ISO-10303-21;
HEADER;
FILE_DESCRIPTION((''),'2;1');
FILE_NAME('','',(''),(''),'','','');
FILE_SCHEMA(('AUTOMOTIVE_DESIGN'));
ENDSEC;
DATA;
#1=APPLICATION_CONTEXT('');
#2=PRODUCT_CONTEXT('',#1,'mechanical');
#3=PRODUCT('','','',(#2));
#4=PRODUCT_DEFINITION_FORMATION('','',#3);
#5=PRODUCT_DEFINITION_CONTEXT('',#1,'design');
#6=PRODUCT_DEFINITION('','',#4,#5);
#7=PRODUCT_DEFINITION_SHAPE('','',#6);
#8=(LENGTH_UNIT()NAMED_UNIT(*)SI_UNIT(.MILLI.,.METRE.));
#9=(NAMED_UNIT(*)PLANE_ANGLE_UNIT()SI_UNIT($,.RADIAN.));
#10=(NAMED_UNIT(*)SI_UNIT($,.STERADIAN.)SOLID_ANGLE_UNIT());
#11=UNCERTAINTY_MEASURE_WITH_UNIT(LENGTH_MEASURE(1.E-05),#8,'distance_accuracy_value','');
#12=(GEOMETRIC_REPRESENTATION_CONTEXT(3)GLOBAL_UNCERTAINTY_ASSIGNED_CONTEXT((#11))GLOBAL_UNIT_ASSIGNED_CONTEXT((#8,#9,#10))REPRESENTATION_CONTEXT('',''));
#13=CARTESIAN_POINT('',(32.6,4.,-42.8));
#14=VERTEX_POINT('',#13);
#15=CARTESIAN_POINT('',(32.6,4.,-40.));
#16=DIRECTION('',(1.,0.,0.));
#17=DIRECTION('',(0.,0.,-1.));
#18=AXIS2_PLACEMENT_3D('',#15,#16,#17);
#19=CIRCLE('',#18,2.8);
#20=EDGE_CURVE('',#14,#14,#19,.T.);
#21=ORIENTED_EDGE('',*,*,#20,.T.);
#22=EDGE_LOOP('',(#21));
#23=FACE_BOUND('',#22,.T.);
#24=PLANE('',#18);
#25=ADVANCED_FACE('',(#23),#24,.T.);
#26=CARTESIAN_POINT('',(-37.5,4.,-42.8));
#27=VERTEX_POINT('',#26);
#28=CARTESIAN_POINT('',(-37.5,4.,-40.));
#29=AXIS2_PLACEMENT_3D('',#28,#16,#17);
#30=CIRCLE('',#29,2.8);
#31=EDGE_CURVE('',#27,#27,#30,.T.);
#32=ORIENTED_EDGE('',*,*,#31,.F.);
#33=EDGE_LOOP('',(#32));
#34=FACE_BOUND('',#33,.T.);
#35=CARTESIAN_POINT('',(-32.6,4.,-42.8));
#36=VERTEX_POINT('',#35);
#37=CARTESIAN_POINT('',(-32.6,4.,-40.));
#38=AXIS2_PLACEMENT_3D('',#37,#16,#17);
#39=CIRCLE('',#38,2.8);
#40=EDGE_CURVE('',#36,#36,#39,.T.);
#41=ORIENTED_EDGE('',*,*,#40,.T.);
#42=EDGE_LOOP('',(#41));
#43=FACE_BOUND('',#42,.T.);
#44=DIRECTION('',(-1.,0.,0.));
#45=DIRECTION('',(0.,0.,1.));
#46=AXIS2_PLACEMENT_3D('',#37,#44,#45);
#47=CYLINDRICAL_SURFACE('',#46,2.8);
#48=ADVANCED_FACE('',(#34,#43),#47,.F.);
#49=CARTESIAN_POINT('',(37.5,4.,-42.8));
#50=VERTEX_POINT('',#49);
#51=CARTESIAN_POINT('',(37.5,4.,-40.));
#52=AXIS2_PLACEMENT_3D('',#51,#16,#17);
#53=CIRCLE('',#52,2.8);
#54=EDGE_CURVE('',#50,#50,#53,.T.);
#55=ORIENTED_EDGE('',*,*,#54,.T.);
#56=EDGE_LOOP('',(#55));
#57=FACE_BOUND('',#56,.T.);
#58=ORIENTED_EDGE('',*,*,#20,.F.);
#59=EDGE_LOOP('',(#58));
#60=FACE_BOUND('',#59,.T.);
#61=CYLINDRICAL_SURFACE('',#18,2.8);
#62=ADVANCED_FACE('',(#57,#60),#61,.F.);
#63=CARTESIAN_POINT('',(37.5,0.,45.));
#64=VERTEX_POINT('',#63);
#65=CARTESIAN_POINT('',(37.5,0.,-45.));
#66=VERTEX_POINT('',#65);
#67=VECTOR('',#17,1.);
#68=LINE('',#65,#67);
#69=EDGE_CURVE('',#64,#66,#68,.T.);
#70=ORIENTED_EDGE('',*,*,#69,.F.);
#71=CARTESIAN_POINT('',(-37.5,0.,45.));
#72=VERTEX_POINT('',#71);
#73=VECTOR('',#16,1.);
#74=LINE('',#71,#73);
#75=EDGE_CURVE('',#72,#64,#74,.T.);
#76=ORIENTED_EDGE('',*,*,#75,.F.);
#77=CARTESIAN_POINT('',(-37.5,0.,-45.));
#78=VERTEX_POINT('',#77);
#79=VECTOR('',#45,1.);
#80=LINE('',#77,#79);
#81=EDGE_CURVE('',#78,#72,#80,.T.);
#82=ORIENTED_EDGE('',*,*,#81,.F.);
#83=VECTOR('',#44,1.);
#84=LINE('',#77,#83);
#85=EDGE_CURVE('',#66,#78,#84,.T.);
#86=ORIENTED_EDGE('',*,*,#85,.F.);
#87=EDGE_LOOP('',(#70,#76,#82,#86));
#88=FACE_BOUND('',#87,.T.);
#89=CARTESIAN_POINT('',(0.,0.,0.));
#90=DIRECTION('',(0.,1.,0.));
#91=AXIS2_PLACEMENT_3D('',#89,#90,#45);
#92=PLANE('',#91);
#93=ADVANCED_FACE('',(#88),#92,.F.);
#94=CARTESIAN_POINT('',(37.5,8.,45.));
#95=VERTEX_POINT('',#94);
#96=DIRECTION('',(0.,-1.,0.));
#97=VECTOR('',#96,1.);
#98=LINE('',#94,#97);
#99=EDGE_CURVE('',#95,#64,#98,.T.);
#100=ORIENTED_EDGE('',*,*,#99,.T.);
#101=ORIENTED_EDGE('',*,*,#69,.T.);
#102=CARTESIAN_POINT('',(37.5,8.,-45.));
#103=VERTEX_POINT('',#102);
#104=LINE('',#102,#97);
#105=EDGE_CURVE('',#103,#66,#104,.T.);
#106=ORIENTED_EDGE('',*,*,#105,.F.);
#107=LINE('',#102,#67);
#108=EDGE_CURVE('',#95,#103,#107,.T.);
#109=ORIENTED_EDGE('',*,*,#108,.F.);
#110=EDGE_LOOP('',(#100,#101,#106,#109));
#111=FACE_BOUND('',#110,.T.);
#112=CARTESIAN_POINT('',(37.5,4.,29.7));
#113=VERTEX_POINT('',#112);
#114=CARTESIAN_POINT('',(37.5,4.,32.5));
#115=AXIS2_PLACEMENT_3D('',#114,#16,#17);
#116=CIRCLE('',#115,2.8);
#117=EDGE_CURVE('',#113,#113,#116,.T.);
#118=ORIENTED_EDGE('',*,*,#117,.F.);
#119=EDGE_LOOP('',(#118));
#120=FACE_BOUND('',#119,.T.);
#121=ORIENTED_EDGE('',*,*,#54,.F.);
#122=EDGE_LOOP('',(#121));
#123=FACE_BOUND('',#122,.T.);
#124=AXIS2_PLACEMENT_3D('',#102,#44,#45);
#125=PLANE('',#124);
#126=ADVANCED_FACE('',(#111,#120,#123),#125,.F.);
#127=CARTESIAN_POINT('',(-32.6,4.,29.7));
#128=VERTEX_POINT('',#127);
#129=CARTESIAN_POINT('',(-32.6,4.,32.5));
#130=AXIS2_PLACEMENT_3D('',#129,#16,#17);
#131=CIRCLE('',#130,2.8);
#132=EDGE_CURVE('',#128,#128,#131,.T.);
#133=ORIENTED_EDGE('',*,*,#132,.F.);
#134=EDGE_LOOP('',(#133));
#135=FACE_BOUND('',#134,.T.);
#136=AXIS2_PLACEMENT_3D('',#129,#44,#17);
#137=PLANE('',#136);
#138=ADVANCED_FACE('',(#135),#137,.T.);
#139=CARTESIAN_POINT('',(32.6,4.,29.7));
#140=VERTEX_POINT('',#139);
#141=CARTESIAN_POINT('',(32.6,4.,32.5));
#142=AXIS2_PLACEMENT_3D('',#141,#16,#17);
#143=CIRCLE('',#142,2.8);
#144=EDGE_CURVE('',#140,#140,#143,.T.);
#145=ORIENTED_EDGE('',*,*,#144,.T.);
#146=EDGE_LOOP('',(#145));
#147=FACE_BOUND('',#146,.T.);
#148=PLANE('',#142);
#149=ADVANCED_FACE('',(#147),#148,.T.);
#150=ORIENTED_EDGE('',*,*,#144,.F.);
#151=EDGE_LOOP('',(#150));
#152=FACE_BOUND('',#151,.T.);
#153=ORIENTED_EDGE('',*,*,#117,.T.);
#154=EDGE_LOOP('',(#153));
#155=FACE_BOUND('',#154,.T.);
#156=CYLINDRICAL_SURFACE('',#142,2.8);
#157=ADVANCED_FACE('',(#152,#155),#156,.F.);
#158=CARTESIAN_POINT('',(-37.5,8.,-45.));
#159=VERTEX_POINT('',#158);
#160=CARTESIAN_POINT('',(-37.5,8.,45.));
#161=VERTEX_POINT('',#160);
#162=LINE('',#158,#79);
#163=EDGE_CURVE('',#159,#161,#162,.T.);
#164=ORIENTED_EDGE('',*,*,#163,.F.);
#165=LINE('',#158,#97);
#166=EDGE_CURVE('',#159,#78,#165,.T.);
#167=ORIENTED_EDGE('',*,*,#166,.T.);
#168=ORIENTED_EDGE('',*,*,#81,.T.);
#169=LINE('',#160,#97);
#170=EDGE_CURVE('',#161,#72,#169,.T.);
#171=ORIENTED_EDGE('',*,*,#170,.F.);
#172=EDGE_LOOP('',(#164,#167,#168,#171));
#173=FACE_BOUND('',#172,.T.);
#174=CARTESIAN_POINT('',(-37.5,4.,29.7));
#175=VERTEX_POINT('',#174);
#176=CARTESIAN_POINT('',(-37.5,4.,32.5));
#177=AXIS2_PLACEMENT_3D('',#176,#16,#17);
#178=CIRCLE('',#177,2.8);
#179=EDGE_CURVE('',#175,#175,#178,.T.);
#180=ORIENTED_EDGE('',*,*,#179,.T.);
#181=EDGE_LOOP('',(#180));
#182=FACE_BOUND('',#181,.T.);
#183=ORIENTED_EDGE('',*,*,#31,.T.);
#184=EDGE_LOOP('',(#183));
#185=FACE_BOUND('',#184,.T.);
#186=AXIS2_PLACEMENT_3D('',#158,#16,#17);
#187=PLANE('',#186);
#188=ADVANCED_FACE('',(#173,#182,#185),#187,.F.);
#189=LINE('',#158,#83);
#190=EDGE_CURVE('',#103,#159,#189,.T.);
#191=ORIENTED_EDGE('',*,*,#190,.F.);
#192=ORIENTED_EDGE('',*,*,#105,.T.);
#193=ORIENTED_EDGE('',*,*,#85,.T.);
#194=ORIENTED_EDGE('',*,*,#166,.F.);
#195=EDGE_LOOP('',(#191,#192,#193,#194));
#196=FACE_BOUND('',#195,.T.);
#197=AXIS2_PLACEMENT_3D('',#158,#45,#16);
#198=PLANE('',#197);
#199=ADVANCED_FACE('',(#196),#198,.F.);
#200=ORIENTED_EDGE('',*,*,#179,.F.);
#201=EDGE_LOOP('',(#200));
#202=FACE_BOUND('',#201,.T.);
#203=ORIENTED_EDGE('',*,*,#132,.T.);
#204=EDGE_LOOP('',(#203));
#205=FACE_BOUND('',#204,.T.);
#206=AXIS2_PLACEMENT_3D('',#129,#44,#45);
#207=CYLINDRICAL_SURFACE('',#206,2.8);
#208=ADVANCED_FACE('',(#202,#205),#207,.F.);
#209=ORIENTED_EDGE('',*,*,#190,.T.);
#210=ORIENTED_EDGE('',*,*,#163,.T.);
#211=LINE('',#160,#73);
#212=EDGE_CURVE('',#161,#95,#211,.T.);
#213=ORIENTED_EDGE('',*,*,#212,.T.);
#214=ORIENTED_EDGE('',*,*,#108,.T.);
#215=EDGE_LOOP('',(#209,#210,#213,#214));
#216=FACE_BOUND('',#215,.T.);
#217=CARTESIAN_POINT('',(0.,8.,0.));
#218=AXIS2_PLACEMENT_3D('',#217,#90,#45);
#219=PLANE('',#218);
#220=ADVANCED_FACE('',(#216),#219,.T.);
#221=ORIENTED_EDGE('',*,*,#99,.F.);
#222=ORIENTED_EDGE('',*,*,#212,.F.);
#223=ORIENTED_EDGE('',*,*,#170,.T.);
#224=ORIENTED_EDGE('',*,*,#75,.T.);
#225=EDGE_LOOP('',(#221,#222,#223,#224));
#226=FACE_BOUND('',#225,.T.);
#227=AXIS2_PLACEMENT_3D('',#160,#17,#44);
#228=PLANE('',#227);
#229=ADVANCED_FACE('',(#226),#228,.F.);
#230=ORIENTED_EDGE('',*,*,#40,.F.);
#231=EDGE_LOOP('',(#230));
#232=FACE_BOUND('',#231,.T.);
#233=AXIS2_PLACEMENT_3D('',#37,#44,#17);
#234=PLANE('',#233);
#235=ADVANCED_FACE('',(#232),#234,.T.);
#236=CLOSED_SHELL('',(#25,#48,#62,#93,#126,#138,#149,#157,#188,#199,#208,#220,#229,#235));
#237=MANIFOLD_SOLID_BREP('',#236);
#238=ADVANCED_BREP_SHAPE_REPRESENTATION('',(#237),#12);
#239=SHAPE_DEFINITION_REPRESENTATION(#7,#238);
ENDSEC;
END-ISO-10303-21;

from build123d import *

# Parameters (mm, degrees)
SKETCH1_W           = 75
SKETCH1_H           = 90
BOSS_EXTRUDE1_DEPTH = 8
SKETCH2_R           = 2.8
CUT_EXTRUDE1_DEPTH  = 4.9


with BuildPart() as part:
    # Sketch1 → Boss-Extrude1 (new body)
    with BuildSketch(Plane(origin=(0, 0, 0), x_dir=(1, 0, 0), z_dir=(0, 1, 0))):
        Rectangle(SKETCH1_W, SKETCH1_H)
    extrude(amount=BOSS_EXTRUDE1_DEPTH)

    # Sketch2 → Cut-Extrude1 (cut)
    with BuildSketch(Plane(origin=(37.5, 0, 0), x_dir=(0, 0, -1), z_dir=(1, 0, 0))):
        with Locations((40, 4)):
            Circle(SKETCH2_R)
        with Locations((-32.5, 4)):
            Circle(SKETCH2_R)
    cut_extrude1 = extrude(amount=-CUT_EXTRUDE1_DEPTH, mode=Mode.SUBTRACT)

    # Mirror1: Cut-Extrude1 across plane
    add(cut_extrude1.mirror(Plane(origin=(0, 0, 0), x_dir=(0, 0, 1), z_dir=(1, 0, 0))), mode=Mode.SUBTRACT)


solid = part.part
